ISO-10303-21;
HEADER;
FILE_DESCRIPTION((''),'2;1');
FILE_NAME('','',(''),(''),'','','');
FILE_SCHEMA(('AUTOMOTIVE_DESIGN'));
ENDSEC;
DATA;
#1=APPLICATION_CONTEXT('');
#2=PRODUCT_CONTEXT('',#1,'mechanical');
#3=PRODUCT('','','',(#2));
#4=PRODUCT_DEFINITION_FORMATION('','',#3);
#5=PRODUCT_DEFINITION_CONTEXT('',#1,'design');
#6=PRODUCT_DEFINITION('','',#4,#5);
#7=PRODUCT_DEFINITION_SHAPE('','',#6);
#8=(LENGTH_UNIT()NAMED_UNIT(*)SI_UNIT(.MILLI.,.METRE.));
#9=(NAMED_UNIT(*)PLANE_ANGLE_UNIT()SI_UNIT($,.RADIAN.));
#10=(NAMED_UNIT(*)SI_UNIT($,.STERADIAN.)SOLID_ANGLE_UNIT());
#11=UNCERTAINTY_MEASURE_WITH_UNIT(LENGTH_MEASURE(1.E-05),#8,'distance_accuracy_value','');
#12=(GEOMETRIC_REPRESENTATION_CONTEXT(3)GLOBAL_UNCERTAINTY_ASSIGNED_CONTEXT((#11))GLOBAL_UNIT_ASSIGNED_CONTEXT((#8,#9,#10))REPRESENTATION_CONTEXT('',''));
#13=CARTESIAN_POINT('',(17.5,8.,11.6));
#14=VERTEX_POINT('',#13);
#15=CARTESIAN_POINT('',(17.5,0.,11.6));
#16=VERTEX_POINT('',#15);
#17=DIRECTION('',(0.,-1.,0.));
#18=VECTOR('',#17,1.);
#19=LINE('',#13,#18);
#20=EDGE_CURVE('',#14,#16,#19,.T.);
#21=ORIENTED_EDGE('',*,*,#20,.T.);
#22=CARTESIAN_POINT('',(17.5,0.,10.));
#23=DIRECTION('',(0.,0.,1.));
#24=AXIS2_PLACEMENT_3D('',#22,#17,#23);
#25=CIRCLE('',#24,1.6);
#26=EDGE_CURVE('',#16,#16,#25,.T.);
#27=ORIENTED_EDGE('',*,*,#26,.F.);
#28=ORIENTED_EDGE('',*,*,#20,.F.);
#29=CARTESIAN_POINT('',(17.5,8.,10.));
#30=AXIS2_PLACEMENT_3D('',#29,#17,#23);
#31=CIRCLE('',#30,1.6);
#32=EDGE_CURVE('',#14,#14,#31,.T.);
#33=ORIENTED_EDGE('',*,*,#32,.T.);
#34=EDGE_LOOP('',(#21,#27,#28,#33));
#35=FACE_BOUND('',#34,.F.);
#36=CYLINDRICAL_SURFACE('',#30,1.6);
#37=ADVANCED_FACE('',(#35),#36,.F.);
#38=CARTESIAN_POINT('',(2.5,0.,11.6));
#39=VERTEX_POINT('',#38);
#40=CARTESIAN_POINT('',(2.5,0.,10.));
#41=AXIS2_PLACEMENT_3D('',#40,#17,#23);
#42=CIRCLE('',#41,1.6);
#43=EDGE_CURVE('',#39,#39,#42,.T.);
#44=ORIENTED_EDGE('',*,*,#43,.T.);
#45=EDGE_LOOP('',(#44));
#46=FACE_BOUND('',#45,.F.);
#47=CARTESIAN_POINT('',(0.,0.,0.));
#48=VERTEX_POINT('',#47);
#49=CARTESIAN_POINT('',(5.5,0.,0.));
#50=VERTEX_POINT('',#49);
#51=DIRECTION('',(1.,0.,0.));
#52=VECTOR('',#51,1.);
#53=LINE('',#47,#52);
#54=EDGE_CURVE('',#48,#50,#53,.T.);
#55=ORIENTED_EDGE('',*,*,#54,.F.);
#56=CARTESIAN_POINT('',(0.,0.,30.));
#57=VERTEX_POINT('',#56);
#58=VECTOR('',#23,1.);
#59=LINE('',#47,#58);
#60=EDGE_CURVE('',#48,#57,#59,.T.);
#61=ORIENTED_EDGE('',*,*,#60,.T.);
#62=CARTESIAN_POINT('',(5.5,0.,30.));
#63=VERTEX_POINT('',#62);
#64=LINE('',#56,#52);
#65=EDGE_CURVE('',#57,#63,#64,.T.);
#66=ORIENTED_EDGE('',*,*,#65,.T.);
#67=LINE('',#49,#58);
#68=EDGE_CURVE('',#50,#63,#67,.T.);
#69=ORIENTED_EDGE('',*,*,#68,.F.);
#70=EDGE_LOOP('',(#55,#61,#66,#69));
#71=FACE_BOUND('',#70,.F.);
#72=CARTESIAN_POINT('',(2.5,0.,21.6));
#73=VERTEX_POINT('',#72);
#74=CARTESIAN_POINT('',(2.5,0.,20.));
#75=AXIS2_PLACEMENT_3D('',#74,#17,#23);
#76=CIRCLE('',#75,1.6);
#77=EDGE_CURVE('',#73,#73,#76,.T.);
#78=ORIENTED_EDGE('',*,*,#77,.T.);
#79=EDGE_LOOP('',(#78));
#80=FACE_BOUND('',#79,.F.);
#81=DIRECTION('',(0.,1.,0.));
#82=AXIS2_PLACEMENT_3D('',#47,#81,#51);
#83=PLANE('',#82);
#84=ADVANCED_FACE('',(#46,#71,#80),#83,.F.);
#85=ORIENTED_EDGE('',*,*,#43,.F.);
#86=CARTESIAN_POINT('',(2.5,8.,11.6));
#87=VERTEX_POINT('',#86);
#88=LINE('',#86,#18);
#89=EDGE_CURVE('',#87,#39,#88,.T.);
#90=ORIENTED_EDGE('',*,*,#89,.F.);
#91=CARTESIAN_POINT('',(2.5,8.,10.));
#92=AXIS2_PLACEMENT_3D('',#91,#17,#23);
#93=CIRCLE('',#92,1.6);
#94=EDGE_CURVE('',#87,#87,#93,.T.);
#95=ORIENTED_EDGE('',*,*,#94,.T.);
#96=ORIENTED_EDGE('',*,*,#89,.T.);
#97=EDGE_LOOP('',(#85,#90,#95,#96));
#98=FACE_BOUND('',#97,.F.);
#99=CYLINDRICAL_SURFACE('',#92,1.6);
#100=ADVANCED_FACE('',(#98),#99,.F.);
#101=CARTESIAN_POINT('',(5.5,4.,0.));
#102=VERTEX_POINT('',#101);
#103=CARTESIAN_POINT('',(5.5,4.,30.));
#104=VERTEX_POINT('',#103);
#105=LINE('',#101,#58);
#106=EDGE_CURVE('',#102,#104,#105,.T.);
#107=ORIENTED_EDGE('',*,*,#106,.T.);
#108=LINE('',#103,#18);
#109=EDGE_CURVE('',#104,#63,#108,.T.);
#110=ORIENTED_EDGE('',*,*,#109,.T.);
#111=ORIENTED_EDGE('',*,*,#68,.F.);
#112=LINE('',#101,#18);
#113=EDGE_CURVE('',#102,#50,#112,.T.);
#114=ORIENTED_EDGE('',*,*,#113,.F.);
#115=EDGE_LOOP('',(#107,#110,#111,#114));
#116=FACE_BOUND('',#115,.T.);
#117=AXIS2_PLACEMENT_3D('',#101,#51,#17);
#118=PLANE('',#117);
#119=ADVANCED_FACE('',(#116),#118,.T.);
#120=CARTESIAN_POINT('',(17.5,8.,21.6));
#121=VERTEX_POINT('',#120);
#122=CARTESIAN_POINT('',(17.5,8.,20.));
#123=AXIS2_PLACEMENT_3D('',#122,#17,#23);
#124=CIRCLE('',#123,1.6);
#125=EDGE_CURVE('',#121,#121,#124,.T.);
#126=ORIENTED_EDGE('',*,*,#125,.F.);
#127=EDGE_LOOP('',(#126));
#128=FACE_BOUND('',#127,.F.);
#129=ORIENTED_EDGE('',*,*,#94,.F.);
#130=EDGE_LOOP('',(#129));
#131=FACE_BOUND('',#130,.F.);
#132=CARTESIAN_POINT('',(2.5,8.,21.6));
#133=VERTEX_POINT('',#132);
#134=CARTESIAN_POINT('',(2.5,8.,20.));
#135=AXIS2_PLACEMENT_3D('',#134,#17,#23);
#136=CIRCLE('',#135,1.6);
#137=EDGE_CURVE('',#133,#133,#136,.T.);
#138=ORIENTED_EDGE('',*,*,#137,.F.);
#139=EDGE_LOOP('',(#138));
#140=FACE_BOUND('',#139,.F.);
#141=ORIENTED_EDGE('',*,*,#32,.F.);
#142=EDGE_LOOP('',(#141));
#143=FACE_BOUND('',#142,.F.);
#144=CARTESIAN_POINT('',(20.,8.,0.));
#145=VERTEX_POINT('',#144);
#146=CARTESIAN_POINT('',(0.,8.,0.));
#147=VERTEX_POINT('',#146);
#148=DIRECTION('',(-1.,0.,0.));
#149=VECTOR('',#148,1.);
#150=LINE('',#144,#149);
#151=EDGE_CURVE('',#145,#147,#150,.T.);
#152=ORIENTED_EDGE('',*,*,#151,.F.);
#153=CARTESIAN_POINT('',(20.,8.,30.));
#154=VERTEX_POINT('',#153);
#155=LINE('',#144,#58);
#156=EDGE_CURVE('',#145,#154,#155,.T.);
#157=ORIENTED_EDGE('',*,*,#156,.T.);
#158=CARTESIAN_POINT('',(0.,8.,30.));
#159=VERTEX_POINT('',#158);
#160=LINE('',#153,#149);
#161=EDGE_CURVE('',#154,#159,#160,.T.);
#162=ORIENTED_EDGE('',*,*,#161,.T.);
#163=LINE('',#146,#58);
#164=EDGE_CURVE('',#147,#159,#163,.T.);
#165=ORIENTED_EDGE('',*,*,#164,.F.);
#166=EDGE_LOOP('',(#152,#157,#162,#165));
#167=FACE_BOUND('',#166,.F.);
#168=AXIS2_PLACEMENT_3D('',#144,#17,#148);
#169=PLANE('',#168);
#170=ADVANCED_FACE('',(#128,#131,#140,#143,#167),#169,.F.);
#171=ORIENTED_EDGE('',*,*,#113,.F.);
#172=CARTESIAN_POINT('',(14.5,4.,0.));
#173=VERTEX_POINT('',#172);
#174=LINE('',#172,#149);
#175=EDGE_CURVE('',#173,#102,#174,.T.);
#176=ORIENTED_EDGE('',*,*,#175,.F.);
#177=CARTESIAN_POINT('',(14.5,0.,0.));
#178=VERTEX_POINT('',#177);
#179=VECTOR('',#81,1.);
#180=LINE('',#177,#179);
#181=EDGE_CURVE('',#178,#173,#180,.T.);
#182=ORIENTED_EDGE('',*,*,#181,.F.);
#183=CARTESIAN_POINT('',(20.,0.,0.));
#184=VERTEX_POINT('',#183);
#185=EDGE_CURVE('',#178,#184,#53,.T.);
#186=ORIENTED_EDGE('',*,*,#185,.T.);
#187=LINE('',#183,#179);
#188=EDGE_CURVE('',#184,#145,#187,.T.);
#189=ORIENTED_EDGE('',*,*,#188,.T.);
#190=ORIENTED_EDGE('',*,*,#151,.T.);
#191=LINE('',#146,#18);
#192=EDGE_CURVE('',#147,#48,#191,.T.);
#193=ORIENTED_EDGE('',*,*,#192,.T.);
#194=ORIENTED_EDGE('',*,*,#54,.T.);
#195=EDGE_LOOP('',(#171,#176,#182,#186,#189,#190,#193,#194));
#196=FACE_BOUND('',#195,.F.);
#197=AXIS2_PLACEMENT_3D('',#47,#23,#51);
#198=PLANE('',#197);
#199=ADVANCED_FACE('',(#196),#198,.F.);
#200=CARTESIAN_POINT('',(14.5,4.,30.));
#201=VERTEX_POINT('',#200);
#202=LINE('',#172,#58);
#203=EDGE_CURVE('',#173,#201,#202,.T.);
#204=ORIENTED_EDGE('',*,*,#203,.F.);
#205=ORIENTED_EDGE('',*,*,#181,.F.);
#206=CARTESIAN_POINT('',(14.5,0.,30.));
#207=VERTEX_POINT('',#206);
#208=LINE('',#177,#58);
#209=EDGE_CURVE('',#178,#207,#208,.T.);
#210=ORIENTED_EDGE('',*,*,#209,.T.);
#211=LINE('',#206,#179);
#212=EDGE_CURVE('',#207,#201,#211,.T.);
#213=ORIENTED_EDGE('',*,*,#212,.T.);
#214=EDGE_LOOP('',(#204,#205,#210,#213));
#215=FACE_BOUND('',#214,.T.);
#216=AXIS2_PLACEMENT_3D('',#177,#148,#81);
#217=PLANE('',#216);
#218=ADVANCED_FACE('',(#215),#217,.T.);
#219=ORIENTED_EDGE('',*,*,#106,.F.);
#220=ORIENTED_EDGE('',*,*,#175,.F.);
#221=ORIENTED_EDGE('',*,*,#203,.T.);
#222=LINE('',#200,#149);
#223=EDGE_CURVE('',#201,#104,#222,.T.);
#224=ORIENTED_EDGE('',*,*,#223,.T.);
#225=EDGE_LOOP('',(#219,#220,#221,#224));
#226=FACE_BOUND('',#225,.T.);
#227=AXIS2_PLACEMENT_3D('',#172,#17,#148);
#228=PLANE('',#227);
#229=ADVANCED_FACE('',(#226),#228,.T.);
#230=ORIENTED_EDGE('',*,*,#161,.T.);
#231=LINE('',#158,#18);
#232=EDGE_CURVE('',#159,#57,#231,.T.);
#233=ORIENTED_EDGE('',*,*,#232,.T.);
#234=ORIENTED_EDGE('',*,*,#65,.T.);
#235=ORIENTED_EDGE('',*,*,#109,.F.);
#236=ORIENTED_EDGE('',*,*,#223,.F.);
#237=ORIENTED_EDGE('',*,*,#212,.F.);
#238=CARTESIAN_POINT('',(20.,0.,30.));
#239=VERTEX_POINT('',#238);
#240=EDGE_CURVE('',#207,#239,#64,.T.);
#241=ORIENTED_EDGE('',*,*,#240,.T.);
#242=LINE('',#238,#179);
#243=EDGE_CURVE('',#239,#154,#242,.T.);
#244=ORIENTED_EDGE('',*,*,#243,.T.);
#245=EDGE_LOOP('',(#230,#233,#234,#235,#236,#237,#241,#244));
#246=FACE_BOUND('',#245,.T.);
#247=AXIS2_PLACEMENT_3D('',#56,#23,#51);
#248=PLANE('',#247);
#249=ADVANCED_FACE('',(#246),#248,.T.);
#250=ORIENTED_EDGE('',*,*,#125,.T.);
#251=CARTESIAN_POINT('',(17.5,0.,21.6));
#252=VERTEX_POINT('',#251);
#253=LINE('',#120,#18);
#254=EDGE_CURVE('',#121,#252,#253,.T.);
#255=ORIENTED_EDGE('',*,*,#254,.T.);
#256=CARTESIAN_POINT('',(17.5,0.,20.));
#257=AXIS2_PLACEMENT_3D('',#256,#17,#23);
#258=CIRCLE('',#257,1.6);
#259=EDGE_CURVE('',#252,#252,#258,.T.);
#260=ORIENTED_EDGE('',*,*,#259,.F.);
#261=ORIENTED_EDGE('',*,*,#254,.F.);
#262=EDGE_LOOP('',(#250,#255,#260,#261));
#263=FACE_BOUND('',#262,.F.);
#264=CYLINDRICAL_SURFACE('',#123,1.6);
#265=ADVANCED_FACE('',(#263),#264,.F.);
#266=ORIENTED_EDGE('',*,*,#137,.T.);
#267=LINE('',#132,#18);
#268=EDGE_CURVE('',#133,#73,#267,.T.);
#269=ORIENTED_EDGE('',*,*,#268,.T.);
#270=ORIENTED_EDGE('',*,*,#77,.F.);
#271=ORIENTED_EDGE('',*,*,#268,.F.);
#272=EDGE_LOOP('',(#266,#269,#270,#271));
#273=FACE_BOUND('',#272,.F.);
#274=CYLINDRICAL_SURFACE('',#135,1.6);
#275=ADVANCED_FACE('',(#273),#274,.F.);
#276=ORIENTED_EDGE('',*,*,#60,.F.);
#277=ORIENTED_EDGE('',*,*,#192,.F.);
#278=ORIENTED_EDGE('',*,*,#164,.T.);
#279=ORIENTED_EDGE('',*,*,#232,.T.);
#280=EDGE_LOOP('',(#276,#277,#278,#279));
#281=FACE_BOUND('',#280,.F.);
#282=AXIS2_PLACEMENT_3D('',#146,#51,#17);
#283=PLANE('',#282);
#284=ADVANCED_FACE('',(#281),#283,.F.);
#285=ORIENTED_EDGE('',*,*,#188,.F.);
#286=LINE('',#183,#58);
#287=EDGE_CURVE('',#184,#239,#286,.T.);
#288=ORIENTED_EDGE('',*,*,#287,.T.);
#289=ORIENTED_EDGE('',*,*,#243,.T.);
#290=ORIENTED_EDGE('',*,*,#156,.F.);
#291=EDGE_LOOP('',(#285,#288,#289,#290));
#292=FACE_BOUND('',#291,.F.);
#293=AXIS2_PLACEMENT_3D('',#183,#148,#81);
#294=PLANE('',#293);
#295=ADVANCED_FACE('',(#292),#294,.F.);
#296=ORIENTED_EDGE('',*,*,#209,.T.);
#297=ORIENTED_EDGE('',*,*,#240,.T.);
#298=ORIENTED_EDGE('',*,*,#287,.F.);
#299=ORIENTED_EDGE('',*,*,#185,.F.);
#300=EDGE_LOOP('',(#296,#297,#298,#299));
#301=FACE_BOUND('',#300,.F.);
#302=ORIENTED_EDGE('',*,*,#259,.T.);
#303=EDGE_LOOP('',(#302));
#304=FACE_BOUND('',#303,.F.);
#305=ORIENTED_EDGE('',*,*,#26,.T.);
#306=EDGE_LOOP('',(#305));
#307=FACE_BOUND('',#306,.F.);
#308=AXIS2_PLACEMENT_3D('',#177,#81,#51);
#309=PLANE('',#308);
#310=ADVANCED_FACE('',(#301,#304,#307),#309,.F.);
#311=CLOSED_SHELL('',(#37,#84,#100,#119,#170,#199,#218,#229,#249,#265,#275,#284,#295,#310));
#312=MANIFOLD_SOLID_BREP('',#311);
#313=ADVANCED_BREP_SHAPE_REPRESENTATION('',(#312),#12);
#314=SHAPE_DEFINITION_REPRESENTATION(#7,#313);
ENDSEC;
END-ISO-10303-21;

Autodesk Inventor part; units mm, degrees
ref_plane "YZ Plane" through (0, 0, 0) normal (1, 0, 0) x (0, 1, 0)
ref_plane "XZ Plane" through (0, 0, 0) normal (0, 1, 0) x (-1, 0, 0)
ref_plane "XY Plane" through (0, 0, 0) normal (0, 0, 1) x (1, 0, 0)
sketch "スケッチ1" plane through (0, 0, 0) normal (0, 0, 1) x (1, 0, 0)
  line L0 (0, 0) -> (20, 0)
  line L1 (20, 0) -> (20, 8)
  line L2 (20, 8) -> (0, 8)
  line L3 (0, 8) -> (0, 0)
  line L4 (5.5, 0) -> (14.5, 0)
  line L5 (14.5, 0) -> (14.5, 4)
  line L6 (14.5, 4) -> (5.5, 4)
  line L7 (5.5, 4) -> (5.5, 0)
  dimension "d0" = 20
  dimension "d1" = 8
  dimension "d2" = 9
  dimension "d3" = 4
extrude "押し出し1" add sketch "スケッチ1" along normal blind 30 contours L3 L2 L1 L0 L5 L6 L7
sketch "スケッチ2" plane through (0, 8, 0) normal (0, 1, 0) x (1, 0, 0)
  line L0 (0, 0) -> (0, -30) projected
  line L1 (20, 0) -> (20, -30) projected
  line L2 (20, -30) -> (0, -30) projected
  line L3 (20, 0) -> (0, 0) projected
  point P0 (17.5, -20)
  point P1 (17.5, -20)
  point P2 (2.5, -10)
  point P3 (17.5, -10)
  point P4 (2.5, -20)
  dimension "d6" = 2.5
  dimension "d7" = 2.5
  dimension "d8" = 2.5
  dimension "d9" = 2.5
  dimension "d10" = 10
  dimension "d11" = 10
  dimension "d12" = 10
  dimension "d13" = 10
hole "穴1" at (17.5, 8, 20) at (2.5, 8, 10) at (17.5, 8, 10) at (2.5, 8, 20) direction (0, -1, 0) diameter 3.2 end through all
equation "\"d7\" = d6"
equation "\"d8\" = d6"
equation "\"d9\" = d6"
equation "\"d11\" = d10"
equation "\"d12\" = d10"
equation "\"d13\" = d10"
properties part number "TH22_slider_box" material "鉄、可鍛鉄"
